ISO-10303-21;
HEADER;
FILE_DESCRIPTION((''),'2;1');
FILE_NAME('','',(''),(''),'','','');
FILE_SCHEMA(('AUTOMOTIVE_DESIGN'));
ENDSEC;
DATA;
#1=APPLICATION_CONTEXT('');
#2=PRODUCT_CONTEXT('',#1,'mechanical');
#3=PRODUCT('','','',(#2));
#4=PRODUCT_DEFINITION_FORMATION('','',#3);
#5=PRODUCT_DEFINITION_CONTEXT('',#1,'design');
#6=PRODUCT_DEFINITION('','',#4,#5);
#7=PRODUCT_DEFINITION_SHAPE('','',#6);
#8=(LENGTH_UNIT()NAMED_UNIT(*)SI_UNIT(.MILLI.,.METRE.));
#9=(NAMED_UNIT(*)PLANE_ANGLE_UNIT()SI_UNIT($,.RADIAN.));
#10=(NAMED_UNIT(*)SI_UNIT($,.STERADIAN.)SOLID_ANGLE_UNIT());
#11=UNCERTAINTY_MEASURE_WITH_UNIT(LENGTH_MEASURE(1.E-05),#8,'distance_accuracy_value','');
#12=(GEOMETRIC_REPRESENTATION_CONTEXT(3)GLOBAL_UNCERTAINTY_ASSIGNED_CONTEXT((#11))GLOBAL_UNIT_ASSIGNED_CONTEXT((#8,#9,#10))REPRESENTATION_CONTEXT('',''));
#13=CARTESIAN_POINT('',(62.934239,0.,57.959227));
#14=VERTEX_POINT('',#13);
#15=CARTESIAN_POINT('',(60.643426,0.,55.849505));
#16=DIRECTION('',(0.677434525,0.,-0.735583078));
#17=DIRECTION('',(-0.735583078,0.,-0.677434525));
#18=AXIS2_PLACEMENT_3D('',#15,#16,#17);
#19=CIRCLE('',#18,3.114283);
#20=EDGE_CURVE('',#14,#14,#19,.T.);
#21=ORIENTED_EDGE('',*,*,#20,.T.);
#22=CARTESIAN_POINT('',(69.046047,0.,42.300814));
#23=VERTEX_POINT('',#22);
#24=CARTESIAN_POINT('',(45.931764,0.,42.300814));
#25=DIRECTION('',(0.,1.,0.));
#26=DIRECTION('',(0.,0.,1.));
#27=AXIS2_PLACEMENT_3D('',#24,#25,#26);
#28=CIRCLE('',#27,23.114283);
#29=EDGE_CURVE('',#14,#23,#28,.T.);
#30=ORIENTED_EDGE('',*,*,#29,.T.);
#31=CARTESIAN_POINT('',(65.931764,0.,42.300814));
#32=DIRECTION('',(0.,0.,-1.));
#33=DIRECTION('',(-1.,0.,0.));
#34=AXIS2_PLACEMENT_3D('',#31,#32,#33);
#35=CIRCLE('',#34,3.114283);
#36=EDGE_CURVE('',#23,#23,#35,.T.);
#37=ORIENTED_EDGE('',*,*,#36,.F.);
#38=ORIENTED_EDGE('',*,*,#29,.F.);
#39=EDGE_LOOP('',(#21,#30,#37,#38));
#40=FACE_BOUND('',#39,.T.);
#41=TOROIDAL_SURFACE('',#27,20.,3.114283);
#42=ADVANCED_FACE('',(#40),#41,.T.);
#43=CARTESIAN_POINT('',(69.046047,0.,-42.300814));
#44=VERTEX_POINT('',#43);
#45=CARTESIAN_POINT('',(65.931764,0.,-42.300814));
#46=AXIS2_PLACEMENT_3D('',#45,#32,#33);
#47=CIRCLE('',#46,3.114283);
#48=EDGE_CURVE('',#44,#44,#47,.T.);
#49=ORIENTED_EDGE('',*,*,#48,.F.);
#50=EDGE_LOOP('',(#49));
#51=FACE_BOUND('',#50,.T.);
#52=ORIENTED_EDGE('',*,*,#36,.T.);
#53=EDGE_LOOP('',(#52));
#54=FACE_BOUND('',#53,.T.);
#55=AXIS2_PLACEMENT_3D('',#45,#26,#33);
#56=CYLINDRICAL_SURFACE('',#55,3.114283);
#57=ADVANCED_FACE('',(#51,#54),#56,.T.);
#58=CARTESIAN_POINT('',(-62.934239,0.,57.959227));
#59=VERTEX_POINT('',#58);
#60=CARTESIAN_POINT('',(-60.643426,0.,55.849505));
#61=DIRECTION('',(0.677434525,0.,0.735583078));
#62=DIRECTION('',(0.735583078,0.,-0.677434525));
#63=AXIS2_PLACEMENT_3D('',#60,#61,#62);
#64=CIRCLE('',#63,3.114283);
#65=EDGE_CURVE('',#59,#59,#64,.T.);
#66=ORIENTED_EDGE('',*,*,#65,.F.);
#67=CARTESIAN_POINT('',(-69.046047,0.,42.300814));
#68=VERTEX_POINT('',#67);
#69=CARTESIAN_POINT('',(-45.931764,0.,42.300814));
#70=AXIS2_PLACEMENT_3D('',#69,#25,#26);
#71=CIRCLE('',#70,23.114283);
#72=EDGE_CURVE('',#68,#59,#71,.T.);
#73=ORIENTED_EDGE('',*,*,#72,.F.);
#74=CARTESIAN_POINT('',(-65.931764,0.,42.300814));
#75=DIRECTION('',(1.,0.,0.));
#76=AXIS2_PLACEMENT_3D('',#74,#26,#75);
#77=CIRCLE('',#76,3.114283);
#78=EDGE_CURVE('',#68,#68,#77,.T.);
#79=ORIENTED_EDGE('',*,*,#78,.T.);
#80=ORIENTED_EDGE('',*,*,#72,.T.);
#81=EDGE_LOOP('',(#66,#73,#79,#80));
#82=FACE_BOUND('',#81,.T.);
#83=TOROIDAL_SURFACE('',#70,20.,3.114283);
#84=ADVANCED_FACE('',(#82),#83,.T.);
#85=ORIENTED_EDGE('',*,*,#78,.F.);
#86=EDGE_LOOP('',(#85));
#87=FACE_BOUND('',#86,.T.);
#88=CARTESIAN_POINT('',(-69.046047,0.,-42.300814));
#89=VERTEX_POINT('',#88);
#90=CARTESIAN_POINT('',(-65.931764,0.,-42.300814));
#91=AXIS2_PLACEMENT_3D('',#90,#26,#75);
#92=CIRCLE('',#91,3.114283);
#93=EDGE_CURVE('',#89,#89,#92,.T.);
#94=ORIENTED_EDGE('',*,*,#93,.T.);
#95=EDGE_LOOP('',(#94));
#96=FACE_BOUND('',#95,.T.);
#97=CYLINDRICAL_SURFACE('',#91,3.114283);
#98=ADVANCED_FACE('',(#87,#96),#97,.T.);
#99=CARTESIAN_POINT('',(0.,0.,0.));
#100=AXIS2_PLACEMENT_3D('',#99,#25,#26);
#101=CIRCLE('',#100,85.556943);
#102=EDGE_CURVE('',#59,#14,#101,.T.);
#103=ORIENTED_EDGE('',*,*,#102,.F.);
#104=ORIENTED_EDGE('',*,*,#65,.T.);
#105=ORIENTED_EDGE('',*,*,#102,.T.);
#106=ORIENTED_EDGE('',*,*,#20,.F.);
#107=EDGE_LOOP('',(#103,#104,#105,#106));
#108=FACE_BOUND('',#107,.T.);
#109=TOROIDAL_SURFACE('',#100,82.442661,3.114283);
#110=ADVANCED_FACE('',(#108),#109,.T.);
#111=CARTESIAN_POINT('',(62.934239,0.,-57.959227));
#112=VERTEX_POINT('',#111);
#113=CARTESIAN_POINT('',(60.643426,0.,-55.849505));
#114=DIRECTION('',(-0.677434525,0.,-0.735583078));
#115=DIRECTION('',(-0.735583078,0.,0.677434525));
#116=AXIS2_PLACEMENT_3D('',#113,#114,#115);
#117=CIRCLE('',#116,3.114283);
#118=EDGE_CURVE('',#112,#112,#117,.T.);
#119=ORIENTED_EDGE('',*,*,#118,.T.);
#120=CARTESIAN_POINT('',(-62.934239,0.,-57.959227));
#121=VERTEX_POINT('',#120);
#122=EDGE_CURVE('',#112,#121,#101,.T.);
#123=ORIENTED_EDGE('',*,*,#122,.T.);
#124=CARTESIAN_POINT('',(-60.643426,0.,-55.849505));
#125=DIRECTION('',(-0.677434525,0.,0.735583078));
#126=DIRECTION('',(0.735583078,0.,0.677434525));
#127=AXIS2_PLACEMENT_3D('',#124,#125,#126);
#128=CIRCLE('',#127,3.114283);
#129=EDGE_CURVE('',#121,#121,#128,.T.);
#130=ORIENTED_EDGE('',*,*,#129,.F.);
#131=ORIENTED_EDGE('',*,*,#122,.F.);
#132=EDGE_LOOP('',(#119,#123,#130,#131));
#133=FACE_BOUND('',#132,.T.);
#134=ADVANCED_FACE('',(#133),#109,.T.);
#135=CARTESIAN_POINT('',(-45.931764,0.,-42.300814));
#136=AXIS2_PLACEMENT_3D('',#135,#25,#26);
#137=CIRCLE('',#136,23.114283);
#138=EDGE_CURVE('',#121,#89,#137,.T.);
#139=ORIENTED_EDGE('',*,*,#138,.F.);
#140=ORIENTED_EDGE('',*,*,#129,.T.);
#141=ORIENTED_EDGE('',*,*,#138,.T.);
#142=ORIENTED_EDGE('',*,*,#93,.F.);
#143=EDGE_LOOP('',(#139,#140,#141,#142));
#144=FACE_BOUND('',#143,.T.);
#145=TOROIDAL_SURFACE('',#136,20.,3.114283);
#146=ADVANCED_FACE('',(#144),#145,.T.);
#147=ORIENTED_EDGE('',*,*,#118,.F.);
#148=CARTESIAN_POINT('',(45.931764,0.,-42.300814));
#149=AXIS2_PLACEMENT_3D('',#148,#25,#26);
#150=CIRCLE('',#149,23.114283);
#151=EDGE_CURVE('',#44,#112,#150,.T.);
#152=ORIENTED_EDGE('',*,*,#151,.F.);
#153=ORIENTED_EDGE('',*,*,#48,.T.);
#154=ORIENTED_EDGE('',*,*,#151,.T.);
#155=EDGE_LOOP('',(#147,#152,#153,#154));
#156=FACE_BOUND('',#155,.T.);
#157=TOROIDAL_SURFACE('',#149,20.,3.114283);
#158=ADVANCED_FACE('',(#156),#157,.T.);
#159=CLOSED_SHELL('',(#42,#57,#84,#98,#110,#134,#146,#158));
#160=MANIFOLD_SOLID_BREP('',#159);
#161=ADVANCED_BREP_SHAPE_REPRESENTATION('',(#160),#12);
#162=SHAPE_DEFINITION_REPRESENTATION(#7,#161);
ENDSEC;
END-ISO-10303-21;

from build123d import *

# Parameters (mm, degrees)
SKIZZE2_R = 3.114282512


with BuildPart() as part:
    # Austragung1: sweep along a path in Skizze1
    with BuildLine(Plane(origin=(0, 0, 0), x_dir=(1, 0, 0), z_dir=(0, 1, 0))) as austragung1_path:
        ThreePointArc((0, -82.442660512), (-33.108990695, -75.502231804), (-60.643425983, -55.849504539))
        ThreePointArc((-60.643425983, -55.849504539), (-64.562830296, -49.572910331), (-65.931764421, -42.300814045))
        Line((-65.931764421, -42.300814045), (-65.931764421, 42.300814045))
        ThreePointArc((-65.931764421, 42.300814045), (-64.562830296, 49.572910331), (-60.643425983, 55.849504539))
        ThreePointArc((-60.643425983, 55.849504539), (-33.108990695, 75.502231804), (0, 82.442660512))
    # Skizze2 → Austragung1 (sweep)
    with BuildSketch(Plane(origin=(0, 0, 0), x_dir=(0, 0, -1), z_dir=(1, 0, 0))):
        with Locations((-82.442660512, 0)):
            Circle(SKIZZE2_R)
    sweep(path=austragung1_path.line)

    # Spiegeln1: part across plane


with BuildPart() as part_1:
    add(part.part)
    add(part.part.mirror(Plane(origin=(0, 0, 82.442660512), x_dir=(0, 0, 1), z_dir=(1, 0, 0))))


solid = part_1.part
